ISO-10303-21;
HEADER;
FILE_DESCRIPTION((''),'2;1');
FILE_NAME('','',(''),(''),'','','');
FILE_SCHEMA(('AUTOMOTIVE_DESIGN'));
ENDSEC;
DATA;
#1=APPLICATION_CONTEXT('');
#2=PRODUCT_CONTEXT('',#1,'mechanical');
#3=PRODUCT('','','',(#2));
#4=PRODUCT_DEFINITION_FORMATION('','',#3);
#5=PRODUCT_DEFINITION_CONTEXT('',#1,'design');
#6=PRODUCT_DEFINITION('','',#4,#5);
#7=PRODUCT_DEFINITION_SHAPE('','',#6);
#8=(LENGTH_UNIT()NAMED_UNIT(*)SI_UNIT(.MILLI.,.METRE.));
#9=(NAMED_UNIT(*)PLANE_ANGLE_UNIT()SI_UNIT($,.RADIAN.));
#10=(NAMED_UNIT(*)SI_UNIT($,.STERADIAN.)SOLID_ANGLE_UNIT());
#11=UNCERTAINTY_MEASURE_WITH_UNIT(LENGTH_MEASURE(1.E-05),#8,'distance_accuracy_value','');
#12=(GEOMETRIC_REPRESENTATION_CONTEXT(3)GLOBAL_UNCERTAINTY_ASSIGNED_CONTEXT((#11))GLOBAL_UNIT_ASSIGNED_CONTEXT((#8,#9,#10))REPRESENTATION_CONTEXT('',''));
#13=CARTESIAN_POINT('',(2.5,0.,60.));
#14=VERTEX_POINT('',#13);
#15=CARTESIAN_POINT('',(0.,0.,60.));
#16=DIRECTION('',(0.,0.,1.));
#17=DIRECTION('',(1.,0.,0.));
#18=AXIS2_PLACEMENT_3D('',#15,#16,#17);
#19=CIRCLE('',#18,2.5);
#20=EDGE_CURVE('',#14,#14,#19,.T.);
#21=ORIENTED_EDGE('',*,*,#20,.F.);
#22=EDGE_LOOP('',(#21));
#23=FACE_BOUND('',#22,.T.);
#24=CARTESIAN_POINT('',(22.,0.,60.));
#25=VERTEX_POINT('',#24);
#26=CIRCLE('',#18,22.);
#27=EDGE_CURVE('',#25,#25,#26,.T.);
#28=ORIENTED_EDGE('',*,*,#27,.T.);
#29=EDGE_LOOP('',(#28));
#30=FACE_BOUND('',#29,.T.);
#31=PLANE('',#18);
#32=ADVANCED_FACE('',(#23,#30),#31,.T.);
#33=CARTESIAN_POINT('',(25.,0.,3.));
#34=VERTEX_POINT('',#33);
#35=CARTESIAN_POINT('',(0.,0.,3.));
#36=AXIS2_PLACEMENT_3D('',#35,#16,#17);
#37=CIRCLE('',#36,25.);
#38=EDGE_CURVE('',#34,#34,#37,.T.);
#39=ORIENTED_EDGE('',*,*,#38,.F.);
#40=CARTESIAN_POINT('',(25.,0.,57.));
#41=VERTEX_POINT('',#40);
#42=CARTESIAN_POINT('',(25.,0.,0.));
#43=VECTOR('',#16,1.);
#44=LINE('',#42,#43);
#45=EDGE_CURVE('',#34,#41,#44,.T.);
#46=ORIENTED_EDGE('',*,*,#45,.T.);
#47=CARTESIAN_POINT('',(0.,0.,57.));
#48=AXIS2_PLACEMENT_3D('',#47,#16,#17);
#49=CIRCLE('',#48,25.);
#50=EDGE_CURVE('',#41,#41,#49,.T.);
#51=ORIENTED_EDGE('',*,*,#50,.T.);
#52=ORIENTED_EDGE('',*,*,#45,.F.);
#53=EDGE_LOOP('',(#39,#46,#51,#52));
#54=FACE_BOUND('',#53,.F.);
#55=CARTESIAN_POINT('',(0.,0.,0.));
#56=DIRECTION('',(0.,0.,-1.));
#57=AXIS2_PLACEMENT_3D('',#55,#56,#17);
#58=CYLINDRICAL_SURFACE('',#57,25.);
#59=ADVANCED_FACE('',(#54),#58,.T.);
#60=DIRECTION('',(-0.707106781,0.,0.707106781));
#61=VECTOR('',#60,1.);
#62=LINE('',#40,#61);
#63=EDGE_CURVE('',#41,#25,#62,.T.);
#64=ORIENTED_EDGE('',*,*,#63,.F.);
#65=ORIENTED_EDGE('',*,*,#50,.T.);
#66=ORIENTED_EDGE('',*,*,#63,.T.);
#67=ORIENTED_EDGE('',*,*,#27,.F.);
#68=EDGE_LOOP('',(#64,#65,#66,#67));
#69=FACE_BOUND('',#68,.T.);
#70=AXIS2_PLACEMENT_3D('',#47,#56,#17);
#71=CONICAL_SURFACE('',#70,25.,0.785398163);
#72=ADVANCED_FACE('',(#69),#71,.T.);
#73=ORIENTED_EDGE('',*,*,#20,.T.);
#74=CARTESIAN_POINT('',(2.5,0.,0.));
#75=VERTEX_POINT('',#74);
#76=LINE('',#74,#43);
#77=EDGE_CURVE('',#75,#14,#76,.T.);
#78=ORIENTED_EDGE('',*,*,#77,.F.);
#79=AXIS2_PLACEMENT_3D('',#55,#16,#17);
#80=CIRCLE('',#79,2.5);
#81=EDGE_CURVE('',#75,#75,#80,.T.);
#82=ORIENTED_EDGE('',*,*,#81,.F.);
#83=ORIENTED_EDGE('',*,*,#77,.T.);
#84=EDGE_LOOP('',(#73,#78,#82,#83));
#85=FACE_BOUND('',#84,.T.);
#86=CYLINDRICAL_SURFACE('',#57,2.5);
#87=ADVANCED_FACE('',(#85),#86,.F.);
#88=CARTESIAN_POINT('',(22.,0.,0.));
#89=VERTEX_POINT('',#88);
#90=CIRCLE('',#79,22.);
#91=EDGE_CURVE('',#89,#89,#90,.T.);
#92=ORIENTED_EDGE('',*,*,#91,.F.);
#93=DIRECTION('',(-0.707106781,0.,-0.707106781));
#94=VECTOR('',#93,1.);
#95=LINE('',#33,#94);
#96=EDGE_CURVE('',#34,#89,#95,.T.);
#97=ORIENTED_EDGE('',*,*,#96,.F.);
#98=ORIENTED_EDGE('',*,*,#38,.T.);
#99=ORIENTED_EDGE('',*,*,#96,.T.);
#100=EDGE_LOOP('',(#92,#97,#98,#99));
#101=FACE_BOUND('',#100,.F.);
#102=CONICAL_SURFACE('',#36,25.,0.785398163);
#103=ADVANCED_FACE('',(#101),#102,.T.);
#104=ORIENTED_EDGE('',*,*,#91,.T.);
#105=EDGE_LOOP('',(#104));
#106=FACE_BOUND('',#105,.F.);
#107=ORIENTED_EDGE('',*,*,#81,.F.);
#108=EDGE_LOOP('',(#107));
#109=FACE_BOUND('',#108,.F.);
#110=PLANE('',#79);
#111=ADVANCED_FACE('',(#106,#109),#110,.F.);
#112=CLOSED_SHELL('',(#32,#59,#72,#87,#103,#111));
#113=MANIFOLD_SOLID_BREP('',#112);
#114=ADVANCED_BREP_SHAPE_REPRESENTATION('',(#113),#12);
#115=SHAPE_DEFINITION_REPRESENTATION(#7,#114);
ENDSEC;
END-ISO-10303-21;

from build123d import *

# Parameters (mm, degrees)
F0_R     = 25
F0_R_2   = 2.5
F1_DEPTH = 60
F2_DEPTH = 60
F3_SIZE  = 3


with BuildPart() as f1:
    # F0 (on Top) → F1 (new body)
    with BuildSketch(Plane.XY):
        Circle(F0_R)
        Circle(F0_R_2, mode=Mode.SUBTRACT)
        Circle(F0_R_2)
    extrude(amount=F1_DEPTH)

    # F0 (on Top) → F2 (cut)
    with BuildSketch(Plane.XY):
        Circle(F0_R_2)
    extrude(amount=F2_DEPTH, mode=Mode.SUBTRACT)

    # F3
    f3_edges = [f1.edges().sort_by_distance(p)[0] for p in [
        (-25, 0, 60),
        (-25, 0, 0),
    ]]
    chamfer(f3_edges, length=F3_SIZE)


solid = f1.part
